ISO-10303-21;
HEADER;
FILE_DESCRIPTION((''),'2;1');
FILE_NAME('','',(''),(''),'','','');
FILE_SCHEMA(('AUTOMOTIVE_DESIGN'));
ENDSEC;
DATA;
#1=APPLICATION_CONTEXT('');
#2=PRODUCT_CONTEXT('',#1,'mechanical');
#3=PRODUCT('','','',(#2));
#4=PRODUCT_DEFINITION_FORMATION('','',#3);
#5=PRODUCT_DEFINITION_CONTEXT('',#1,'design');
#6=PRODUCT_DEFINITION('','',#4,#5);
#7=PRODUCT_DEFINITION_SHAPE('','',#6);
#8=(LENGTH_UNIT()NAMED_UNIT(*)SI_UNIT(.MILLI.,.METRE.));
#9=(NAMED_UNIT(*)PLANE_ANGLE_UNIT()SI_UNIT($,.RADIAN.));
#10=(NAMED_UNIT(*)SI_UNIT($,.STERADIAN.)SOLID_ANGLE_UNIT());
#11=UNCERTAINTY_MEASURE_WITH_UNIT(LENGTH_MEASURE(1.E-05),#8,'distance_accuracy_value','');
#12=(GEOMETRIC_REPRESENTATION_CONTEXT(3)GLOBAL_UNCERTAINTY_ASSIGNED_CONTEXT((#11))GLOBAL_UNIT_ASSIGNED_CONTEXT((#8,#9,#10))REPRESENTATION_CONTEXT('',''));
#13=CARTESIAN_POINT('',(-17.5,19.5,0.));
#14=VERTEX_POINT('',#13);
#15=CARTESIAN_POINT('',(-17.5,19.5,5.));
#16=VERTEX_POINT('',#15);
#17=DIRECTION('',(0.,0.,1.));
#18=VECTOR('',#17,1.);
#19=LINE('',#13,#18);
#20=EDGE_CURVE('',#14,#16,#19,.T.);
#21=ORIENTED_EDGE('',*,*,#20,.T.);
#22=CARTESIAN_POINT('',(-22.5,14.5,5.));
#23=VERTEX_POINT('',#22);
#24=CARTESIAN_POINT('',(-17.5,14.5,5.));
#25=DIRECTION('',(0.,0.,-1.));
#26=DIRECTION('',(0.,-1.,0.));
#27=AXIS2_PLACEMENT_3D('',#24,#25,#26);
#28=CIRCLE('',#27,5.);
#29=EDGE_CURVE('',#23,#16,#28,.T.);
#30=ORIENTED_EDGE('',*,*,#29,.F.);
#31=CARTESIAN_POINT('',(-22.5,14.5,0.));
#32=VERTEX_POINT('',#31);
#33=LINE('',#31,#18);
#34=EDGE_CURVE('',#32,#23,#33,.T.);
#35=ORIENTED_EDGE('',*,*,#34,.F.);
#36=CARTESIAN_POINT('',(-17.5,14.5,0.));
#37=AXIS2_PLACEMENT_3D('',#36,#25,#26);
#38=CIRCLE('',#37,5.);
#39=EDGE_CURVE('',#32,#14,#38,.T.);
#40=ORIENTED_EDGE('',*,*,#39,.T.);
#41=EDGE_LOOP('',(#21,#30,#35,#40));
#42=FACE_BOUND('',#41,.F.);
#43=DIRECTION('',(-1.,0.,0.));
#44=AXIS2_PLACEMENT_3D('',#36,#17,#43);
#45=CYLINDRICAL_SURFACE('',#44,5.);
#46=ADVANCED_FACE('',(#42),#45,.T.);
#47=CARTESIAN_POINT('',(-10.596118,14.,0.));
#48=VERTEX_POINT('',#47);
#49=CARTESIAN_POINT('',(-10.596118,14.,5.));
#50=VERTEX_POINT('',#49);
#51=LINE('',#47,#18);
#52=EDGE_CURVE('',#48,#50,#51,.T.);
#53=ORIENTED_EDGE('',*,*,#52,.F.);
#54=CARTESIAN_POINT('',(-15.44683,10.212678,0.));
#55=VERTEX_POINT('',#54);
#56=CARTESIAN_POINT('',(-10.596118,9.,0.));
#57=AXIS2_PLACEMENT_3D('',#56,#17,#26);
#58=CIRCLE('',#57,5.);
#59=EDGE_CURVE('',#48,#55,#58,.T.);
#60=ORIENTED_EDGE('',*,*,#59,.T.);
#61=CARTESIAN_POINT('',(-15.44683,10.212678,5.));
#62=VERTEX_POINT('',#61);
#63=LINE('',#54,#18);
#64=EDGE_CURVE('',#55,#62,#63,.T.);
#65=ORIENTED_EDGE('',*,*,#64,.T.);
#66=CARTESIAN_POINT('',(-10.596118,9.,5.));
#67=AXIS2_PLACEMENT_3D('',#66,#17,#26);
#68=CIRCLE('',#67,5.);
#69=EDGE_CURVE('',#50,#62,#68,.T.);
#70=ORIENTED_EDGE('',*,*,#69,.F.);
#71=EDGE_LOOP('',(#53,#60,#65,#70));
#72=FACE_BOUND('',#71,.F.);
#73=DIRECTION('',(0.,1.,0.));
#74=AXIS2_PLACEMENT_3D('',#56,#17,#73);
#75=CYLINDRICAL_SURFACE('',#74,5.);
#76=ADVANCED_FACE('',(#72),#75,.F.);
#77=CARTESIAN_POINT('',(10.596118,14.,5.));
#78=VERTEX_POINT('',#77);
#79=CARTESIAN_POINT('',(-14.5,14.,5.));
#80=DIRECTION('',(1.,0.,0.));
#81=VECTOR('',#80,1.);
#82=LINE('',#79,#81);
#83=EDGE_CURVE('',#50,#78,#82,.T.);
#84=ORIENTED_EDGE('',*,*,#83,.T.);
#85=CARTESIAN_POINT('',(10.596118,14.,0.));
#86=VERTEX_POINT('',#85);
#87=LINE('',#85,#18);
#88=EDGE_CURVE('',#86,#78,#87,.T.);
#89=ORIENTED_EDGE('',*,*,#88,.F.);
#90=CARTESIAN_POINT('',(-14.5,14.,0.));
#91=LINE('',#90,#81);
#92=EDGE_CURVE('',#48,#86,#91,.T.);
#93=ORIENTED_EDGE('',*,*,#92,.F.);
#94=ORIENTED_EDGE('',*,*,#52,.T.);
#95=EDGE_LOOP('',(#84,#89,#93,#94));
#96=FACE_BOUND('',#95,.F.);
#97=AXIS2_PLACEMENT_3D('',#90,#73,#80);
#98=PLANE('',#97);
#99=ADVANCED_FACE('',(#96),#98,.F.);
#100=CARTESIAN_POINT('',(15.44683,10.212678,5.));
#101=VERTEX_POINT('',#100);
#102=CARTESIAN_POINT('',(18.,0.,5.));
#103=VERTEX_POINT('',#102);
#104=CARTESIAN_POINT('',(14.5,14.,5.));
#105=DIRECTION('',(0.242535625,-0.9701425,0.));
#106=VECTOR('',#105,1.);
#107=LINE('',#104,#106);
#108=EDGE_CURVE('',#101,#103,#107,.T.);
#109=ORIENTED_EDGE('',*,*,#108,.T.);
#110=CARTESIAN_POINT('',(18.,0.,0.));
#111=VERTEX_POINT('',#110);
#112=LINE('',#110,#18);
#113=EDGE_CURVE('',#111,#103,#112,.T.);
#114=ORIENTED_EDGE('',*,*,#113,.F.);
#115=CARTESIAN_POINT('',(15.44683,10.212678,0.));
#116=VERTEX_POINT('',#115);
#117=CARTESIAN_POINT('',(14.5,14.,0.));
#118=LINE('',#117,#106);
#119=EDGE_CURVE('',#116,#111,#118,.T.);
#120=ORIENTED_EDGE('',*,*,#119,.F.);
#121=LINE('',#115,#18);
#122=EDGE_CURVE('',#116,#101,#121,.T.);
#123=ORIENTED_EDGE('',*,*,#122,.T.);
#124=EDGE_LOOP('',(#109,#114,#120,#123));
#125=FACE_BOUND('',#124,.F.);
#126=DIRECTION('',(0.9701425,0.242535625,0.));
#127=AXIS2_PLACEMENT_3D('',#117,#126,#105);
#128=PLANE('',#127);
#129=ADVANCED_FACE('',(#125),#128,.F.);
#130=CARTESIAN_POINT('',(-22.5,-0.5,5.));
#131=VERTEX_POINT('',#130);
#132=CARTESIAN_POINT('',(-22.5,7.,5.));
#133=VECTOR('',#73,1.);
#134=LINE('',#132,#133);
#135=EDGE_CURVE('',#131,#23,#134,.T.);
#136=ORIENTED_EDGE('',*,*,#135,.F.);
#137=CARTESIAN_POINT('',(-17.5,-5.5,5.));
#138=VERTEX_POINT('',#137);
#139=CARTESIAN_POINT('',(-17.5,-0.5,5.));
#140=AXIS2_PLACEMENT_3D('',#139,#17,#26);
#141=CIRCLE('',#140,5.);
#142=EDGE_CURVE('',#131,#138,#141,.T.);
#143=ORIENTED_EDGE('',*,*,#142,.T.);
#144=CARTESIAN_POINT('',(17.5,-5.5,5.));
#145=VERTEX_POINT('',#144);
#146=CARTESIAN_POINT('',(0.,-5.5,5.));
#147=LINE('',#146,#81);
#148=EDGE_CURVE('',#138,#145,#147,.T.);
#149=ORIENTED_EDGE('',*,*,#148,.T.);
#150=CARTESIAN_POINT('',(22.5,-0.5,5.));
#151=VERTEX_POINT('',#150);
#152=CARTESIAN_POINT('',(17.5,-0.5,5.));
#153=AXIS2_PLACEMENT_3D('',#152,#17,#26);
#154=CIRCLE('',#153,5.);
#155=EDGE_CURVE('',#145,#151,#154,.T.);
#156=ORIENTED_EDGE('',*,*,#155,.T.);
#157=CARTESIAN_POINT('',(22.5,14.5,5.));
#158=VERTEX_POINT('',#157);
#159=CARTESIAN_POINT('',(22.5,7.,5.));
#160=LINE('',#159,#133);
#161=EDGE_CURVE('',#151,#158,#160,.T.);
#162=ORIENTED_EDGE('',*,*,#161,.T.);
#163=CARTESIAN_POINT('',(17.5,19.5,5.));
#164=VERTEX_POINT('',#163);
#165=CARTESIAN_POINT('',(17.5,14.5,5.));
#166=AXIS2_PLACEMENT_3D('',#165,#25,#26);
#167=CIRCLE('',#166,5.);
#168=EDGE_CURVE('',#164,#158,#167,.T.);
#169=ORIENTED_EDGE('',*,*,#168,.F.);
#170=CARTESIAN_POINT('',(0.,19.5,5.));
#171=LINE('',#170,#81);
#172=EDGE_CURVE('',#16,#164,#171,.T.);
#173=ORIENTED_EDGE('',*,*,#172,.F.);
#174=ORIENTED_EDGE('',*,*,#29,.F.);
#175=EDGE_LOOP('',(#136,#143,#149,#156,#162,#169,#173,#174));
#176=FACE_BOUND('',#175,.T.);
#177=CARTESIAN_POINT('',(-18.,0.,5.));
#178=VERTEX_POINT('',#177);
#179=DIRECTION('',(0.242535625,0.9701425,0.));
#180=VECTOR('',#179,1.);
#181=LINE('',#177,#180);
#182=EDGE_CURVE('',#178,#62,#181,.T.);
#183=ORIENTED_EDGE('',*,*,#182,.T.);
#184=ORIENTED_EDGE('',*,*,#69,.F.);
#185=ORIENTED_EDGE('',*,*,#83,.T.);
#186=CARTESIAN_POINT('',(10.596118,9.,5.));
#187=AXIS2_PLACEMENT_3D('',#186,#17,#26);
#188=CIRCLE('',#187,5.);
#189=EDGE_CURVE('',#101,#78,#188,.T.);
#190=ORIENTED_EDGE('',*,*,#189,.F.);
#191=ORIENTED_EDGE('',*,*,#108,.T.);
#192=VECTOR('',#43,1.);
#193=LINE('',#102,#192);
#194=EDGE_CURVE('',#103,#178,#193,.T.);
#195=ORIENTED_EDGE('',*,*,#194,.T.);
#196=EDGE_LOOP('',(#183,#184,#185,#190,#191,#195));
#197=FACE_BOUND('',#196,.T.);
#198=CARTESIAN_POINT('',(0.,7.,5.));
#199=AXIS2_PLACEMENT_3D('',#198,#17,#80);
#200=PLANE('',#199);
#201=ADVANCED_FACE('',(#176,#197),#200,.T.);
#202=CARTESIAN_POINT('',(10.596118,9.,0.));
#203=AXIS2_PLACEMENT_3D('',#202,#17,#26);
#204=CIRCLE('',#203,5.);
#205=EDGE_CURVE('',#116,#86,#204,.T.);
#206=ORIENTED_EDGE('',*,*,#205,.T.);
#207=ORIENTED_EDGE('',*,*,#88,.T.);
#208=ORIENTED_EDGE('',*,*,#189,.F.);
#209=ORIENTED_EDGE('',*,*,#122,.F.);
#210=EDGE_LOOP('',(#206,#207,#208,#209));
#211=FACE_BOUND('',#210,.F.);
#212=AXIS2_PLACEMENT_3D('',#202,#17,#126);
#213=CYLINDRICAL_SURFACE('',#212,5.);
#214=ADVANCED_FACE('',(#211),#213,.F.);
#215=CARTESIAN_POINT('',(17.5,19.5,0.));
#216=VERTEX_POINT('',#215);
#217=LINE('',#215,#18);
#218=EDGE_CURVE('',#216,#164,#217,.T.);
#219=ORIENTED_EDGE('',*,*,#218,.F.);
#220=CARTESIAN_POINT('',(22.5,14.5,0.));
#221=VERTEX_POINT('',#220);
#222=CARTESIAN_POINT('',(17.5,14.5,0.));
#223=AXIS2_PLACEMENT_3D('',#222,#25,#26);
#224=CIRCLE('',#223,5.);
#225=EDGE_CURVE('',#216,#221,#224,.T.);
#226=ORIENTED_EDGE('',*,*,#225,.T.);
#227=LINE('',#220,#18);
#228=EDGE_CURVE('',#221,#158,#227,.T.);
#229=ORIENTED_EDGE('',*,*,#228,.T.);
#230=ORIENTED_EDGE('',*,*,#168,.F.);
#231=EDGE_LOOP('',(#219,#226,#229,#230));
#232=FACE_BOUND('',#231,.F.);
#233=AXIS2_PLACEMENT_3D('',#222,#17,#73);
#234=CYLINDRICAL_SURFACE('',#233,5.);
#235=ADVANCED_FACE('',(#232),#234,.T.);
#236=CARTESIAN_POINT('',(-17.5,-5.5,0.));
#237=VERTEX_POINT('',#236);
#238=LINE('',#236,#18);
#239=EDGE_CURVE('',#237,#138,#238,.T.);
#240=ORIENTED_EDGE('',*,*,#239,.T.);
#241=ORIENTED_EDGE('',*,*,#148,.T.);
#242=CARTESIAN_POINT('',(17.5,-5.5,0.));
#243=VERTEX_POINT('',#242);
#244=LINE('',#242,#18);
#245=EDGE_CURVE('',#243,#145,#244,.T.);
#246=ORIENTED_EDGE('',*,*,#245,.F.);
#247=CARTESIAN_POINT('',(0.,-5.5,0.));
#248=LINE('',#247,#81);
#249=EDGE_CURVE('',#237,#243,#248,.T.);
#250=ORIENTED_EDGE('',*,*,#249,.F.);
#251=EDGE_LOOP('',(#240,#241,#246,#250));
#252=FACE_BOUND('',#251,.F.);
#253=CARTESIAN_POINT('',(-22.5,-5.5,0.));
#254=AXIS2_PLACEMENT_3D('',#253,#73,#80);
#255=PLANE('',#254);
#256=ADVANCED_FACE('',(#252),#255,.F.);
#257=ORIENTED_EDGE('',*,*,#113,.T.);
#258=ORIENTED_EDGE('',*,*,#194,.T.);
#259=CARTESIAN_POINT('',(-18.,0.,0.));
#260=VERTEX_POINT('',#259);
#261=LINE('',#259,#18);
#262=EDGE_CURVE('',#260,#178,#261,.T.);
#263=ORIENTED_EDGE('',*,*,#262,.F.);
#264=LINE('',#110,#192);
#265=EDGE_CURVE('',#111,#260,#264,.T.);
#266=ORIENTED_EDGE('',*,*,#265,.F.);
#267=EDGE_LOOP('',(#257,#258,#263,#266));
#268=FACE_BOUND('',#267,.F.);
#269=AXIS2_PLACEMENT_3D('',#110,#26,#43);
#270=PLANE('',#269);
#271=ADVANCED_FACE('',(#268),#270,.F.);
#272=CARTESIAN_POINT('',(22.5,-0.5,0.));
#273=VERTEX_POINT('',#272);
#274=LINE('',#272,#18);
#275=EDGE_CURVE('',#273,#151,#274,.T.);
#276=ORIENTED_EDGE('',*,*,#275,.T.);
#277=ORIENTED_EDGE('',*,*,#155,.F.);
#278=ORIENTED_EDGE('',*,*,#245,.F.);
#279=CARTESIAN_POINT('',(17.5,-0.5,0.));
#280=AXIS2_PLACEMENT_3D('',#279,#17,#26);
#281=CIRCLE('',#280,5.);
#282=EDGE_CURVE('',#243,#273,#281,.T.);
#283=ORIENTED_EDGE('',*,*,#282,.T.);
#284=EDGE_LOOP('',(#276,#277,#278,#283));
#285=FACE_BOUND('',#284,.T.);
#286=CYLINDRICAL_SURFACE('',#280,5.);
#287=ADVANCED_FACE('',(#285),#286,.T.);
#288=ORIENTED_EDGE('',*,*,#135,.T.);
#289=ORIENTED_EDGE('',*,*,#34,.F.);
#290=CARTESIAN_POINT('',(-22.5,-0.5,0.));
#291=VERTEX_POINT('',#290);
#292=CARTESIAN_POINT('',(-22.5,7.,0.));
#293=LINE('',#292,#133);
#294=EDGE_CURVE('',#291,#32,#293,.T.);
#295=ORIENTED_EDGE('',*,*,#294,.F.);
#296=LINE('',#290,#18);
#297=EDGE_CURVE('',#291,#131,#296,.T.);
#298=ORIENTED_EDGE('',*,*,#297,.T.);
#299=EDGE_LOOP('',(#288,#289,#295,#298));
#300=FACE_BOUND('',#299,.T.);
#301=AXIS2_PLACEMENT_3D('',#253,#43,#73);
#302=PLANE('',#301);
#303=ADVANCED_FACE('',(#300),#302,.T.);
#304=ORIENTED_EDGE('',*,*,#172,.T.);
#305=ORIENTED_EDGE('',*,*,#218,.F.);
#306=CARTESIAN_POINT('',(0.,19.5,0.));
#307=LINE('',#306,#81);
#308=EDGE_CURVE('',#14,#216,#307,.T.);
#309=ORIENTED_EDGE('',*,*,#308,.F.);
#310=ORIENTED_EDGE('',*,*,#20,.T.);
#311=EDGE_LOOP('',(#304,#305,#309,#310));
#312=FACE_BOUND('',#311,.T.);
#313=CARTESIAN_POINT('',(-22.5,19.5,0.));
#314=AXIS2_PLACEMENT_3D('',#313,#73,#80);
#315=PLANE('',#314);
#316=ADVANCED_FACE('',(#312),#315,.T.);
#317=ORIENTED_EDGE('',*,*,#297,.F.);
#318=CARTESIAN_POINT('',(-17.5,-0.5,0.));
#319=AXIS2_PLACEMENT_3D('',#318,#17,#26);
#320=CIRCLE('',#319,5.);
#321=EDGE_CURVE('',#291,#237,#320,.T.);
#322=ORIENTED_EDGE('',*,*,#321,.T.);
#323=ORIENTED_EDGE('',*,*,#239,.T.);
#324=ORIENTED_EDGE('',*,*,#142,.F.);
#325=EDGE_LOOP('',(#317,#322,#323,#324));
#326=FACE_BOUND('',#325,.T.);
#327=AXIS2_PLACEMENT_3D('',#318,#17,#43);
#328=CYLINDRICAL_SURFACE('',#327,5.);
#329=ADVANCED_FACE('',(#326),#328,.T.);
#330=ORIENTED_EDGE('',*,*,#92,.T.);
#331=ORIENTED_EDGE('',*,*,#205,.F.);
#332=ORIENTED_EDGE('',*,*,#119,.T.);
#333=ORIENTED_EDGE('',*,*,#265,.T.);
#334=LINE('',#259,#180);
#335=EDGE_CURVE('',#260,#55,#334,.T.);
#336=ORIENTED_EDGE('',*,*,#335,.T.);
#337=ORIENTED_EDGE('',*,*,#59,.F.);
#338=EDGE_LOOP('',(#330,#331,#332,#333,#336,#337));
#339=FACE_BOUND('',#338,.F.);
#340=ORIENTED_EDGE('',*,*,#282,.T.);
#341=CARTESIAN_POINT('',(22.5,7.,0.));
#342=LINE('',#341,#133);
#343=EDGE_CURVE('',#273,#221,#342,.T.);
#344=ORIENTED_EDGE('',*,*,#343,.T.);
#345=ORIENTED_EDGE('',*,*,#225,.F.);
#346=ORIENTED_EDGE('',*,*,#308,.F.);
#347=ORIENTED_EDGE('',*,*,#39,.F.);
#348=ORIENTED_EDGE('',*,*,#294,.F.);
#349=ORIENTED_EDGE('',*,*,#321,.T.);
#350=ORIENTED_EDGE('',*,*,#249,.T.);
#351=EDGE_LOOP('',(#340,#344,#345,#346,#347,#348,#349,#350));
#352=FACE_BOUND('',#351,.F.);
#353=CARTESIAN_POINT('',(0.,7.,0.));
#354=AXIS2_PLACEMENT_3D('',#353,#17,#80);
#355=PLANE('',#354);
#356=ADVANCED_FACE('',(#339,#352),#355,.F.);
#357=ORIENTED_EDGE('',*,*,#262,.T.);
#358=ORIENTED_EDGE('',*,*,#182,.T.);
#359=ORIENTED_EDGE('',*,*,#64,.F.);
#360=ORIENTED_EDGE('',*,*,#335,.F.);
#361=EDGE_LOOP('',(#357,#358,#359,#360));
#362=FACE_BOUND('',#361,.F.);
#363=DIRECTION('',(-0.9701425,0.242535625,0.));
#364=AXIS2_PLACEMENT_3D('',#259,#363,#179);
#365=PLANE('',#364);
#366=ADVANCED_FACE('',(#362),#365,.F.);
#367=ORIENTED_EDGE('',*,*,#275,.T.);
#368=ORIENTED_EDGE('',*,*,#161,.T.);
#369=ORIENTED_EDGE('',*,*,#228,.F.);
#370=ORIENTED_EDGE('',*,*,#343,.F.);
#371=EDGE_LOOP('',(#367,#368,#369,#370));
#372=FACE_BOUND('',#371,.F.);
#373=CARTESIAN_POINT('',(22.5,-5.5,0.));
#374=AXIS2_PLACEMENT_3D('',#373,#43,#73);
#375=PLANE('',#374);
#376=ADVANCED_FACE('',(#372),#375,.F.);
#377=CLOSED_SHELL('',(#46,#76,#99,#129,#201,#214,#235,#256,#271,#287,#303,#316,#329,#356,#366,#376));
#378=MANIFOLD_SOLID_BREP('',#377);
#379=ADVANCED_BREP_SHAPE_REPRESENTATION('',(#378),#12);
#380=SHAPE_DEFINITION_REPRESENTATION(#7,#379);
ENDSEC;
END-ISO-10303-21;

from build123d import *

# Parameters (mm, degrees)
F0_W     = 45
F0_H     = 25
F1_DEPTH = 5
F2_R     = 5


with BuildPart() as f1:
    # F0 (on Top) → F1 (new body)
    with BuildSketch(Plane.XY):
        with Locations((0, 7)):
            Rectangle(F0_W, F0_H)
        Polygon((18, 0), (-18, 0), (-14.5, 14), (14.5, 14), align=None, mode=Mode.SUBTRACT)
    extrude(amount=F1_DEPTH)

    # F2
    f2_edges = [f1.edges().sort_by_distance(p)[0] for p in [
        (-22.5, 19.5, 2.5),
        (22.5, 19.5, 2.5),
        (-22.5, -5.5, 2.5),
        (22.5, -5.5, 2.5),
        (-14.5, 14, 2.5),
        (14.5, 14, 2.5),
    ]]
    fillet(f2_edges, radius=F2_R)


solid = f1.part
